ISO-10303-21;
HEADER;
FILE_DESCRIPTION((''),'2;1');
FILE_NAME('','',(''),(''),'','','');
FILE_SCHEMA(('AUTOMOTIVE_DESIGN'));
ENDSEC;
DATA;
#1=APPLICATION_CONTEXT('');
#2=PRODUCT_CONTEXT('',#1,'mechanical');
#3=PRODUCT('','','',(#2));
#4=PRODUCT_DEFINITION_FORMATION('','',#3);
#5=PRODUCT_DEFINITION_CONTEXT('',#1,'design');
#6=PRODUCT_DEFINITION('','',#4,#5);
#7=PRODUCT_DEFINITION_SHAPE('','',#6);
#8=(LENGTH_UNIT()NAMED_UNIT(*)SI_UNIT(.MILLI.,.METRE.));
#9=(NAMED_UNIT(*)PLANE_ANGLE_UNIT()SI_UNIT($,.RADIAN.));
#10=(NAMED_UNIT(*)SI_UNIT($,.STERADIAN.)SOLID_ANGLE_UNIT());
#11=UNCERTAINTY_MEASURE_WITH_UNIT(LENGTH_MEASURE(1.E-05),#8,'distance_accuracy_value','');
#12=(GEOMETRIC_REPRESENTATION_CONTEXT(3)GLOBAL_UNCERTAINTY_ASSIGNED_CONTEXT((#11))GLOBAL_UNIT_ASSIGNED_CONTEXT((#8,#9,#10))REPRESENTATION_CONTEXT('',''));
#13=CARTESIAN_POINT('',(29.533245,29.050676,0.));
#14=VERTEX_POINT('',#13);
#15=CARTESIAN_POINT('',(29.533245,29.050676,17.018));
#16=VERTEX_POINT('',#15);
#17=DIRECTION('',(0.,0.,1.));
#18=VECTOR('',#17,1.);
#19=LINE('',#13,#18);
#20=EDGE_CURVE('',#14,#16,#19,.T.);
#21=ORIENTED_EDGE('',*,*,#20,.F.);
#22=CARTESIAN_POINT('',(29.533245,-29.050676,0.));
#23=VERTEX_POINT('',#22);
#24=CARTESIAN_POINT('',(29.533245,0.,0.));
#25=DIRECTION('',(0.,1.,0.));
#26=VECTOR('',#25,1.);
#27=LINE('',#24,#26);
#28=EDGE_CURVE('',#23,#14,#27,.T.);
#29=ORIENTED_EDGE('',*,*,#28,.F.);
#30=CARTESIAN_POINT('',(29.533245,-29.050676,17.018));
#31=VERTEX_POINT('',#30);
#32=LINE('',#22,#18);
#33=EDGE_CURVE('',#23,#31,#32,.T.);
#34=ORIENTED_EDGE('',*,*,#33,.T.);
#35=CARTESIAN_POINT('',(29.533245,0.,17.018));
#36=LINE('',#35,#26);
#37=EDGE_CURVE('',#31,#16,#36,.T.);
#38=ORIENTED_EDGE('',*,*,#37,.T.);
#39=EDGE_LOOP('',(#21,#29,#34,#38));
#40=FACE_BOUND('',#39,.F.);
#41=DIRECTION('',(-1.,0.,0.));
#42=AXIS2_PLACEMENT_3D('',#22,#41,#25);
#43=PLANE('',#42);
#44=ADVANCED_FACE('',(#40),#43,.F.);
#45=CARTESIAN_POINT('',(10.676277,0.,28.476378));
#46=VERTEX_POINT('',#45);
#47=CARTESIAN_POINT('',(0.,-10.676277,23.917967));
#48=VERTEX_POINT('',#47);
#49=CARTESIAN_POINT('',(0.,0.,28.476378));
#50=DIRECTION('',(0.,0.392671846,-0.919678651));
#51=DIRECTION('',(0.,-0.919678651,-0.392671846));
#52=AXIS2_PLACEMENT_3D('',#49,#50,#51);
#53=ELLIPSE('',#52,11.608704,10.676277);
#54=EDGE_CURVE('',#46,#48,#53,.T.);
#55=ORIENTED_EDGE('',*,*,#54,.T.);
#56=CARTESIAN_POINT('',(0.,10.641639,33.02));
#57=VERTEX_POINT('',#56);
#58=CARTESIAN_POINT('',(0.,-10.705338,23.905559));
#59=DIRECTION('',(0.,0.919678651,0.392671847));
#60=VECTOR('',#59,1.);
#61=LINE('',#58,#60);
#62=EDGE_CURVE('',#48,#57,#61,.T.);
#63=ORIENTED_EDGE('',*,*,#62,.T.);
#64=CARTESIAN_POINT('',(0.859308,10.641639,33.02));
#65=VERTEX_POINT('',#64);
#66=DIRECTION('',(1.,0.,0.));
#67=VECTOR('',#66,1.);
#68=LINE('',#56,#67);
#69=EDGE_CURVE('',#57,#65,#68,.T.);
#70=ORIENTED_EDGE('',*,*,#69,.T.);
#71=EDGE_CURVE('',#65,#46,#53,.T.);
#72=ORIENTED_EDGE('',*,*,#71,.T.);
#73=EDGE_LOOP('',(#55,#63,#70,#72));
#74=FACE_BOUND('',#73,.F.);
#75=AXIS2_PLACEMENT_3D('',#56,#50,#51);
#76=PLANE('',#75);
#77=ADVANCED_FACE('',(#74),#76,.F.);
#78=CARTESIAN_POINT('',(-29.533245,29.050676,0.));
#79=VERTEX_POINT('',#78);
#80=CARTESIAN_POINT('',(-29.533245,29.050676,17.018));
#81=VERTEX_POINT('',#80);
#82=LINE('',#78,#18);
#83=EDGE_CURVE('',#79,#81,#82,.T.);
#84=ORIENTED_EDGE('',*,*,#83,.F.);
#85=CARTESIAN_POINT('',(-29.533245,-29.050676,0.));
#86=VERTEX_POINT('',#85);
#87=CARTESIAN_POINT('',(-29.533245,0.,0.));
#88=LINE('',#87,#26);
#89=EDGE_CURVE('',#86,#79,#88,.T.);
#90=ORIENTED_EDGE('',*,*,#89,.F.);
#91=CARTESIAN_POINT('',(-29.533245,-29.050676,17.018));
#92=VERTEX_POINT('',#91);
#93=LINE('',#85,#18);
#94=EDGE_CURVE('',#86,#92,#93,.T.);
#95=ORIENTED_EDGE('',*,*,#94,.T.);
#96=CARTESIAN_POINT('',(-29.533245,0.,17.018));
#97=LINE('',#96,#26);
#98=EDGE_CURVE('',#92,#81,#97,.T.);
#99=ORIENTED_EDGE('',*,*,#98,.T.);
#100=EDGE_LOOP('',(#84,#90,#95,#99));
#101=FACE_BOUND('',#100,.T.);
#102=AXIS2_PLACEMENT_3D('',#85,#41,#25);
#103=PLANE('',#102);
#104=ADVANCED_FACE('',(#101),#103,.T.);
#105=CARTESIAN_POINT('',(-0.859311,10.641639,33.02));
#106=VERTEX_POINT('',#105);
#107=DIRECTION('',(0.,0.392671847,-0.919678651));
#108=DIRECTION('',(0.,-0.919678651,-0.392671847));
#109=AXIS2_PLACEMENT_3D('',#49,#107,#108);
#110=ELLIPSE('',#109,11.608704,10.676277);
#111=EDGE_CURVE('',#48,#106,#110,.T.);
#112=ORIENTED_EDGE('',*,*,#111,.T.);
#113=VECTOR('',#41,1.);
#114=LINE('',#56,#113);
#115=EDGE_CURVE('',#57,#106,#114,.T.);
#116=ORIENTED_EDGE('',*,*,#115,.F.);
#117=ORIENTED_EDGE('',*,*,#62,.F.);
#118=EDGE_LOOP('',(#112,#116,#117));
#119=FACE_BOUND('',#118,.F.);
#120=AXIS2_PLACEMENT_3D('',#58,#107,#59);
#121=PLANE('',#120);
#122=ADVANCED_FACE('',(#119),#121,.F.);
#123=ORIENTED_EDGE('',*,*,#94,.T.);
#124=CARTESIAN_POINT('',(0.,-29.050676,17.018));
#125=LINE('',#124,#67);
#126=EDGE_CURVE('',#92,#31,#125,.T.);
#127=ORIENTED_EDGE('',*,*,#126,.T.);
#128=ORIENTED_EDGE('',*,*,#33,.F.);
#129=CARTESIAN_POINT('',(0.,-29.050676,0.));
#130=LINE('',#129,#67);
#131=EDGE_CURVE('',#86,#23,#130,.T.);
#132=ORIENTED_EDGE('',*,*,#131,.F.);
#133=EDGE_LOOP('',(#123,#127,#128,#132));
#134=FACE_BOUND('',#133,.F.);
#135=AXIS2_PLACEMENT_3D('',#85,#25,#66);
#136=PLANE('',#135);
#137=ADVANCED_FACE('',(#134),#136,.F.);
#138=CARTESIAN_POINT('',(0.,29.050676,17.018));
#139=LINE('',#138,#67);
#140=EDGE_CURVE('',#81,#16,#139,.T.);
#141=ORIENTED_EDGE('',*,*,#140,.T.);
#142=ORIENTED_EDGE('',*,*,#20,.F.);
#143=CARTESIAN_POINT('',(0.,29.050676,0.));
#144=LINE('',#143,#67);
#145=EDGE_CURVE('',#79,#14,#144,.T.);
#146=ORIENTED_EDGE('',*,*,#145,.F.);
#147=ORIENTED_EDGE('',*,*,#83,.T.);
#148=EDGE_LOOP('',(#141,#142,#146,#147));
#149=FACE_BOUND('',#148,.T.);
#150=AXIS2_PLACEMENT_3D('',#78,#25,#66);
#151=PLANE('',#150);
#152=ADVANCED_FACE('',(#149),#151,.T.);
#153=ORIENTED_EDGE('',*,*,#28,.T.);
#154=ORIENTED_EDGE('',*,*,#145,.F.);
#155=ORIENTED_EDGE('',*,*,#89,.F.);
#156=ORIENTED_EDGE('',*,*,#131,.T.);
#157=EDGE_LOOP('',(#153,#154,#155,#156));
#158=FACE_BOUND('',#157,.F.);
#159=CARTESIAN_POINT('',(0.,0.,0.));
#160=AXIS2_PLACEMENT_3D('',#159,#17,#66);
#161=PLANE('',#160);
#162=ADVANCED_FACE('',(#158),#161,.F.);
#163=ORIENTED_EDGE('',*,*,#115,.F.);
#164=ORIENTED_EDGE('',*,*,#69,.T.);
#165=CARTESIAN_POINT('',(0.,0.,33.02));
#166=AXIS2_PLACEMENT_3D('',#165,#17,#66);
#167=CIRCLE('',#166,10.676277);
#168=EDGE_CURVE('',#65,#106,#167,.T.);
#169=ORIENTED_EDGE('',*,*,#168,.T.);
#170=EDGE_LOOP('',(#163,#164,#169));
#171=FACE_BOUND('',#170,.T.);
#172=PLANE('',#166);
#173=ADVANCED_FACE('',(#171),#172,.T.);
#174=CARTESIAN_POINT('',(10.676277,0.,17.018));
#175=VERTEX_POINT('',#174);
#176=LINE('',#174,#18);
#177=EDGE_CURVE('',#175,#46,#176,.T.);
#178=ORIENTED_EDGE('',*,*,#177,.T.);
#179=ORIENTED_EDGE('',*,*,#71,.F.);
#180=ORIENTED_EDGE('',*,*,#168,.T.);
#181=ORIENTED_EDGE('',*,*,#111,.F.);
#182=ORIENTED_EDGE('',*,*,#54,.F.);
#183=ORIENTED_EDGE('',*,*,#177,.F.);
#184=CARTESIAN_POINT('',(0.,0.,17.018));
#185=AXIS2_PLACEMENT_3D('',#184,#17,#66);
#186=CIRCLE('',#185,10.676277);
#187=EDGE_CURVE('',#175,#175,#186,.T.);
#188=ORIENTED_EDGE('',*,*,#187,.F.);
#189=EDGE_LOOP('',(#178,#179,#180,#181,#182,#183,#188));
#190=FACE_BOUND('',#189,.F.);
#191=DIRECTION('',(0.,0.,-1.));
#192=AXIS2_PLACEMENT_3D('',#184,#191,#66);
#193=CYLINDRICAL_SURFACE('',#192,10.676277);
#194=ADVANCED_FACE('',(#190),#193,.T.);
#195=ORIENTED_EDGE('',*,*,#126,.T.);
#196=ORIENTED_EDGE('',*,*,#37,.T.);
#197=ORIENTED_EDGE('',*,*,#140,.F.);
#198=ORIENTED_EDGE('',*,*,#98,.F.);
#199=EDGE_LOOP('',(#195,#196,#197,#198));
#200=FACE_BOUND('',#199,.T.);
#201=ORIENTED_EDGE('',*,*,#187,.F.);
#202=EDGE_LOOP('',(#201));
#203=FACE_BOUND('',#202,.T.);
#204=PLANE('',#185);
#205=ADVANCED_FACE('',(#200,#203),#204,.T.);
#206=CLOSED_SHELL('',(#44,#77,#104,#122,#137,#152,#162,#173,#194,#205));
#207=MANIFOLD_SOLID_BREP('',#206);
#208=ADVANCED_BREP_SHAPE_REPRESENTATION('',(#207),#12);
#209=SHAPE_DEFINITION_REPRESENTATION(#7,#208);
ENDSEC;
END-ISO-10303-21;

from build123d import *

# Parameters (mm, degrees)
F0_W     = 59.06649
F0_H     = 58.101352
F1_DEPTH = 17.018
F2_R     = 10.676277
F3_DEPTH = 16.002
F5_DEPTH = 29.534245
F6_DEPTH = 29.534245


with BuildPart() as f1:
    # F0 (on Top) → F1 (new body)
    with BuildSketch(Plane.XY):
        Rectangle(F0_W, F0_H)
    extrude(amount=F1_DEPTH)

    # F2 (on face) → F3 (join)
    with BuildSketch(Plane.XY.offset(17.018)):
        Circle(F2_R)
    extrude(amount=F3_DEPTH)

    # F4 (on Right) → F5 (cut, through all)
    with BuildSketch(Plane.YZ):
        Polygon((-10.705338, 23.905559), (10.682108, 33.037279), (-10.705338, 33.037279), align=None)
    extrude(amount=-F5_DEPTH, mode=Mode.SUBTRACT)

    # F5_face (on face) → F6 (cut, through all)
    with BuildSketch(Plane(origin=(0, -3.570305, 29.985989), x_dir=(0, 1, 0), z_dir=(-1, 0, 0))):
        Polygon((-7.105972, 6.068022), (-7.105972, -3.034011), (14.211944, -3.034011), align=None)
    extrude(amount=-F6_DEPTH, mode=Mode.SUBTRACT)


solid = f1.part
